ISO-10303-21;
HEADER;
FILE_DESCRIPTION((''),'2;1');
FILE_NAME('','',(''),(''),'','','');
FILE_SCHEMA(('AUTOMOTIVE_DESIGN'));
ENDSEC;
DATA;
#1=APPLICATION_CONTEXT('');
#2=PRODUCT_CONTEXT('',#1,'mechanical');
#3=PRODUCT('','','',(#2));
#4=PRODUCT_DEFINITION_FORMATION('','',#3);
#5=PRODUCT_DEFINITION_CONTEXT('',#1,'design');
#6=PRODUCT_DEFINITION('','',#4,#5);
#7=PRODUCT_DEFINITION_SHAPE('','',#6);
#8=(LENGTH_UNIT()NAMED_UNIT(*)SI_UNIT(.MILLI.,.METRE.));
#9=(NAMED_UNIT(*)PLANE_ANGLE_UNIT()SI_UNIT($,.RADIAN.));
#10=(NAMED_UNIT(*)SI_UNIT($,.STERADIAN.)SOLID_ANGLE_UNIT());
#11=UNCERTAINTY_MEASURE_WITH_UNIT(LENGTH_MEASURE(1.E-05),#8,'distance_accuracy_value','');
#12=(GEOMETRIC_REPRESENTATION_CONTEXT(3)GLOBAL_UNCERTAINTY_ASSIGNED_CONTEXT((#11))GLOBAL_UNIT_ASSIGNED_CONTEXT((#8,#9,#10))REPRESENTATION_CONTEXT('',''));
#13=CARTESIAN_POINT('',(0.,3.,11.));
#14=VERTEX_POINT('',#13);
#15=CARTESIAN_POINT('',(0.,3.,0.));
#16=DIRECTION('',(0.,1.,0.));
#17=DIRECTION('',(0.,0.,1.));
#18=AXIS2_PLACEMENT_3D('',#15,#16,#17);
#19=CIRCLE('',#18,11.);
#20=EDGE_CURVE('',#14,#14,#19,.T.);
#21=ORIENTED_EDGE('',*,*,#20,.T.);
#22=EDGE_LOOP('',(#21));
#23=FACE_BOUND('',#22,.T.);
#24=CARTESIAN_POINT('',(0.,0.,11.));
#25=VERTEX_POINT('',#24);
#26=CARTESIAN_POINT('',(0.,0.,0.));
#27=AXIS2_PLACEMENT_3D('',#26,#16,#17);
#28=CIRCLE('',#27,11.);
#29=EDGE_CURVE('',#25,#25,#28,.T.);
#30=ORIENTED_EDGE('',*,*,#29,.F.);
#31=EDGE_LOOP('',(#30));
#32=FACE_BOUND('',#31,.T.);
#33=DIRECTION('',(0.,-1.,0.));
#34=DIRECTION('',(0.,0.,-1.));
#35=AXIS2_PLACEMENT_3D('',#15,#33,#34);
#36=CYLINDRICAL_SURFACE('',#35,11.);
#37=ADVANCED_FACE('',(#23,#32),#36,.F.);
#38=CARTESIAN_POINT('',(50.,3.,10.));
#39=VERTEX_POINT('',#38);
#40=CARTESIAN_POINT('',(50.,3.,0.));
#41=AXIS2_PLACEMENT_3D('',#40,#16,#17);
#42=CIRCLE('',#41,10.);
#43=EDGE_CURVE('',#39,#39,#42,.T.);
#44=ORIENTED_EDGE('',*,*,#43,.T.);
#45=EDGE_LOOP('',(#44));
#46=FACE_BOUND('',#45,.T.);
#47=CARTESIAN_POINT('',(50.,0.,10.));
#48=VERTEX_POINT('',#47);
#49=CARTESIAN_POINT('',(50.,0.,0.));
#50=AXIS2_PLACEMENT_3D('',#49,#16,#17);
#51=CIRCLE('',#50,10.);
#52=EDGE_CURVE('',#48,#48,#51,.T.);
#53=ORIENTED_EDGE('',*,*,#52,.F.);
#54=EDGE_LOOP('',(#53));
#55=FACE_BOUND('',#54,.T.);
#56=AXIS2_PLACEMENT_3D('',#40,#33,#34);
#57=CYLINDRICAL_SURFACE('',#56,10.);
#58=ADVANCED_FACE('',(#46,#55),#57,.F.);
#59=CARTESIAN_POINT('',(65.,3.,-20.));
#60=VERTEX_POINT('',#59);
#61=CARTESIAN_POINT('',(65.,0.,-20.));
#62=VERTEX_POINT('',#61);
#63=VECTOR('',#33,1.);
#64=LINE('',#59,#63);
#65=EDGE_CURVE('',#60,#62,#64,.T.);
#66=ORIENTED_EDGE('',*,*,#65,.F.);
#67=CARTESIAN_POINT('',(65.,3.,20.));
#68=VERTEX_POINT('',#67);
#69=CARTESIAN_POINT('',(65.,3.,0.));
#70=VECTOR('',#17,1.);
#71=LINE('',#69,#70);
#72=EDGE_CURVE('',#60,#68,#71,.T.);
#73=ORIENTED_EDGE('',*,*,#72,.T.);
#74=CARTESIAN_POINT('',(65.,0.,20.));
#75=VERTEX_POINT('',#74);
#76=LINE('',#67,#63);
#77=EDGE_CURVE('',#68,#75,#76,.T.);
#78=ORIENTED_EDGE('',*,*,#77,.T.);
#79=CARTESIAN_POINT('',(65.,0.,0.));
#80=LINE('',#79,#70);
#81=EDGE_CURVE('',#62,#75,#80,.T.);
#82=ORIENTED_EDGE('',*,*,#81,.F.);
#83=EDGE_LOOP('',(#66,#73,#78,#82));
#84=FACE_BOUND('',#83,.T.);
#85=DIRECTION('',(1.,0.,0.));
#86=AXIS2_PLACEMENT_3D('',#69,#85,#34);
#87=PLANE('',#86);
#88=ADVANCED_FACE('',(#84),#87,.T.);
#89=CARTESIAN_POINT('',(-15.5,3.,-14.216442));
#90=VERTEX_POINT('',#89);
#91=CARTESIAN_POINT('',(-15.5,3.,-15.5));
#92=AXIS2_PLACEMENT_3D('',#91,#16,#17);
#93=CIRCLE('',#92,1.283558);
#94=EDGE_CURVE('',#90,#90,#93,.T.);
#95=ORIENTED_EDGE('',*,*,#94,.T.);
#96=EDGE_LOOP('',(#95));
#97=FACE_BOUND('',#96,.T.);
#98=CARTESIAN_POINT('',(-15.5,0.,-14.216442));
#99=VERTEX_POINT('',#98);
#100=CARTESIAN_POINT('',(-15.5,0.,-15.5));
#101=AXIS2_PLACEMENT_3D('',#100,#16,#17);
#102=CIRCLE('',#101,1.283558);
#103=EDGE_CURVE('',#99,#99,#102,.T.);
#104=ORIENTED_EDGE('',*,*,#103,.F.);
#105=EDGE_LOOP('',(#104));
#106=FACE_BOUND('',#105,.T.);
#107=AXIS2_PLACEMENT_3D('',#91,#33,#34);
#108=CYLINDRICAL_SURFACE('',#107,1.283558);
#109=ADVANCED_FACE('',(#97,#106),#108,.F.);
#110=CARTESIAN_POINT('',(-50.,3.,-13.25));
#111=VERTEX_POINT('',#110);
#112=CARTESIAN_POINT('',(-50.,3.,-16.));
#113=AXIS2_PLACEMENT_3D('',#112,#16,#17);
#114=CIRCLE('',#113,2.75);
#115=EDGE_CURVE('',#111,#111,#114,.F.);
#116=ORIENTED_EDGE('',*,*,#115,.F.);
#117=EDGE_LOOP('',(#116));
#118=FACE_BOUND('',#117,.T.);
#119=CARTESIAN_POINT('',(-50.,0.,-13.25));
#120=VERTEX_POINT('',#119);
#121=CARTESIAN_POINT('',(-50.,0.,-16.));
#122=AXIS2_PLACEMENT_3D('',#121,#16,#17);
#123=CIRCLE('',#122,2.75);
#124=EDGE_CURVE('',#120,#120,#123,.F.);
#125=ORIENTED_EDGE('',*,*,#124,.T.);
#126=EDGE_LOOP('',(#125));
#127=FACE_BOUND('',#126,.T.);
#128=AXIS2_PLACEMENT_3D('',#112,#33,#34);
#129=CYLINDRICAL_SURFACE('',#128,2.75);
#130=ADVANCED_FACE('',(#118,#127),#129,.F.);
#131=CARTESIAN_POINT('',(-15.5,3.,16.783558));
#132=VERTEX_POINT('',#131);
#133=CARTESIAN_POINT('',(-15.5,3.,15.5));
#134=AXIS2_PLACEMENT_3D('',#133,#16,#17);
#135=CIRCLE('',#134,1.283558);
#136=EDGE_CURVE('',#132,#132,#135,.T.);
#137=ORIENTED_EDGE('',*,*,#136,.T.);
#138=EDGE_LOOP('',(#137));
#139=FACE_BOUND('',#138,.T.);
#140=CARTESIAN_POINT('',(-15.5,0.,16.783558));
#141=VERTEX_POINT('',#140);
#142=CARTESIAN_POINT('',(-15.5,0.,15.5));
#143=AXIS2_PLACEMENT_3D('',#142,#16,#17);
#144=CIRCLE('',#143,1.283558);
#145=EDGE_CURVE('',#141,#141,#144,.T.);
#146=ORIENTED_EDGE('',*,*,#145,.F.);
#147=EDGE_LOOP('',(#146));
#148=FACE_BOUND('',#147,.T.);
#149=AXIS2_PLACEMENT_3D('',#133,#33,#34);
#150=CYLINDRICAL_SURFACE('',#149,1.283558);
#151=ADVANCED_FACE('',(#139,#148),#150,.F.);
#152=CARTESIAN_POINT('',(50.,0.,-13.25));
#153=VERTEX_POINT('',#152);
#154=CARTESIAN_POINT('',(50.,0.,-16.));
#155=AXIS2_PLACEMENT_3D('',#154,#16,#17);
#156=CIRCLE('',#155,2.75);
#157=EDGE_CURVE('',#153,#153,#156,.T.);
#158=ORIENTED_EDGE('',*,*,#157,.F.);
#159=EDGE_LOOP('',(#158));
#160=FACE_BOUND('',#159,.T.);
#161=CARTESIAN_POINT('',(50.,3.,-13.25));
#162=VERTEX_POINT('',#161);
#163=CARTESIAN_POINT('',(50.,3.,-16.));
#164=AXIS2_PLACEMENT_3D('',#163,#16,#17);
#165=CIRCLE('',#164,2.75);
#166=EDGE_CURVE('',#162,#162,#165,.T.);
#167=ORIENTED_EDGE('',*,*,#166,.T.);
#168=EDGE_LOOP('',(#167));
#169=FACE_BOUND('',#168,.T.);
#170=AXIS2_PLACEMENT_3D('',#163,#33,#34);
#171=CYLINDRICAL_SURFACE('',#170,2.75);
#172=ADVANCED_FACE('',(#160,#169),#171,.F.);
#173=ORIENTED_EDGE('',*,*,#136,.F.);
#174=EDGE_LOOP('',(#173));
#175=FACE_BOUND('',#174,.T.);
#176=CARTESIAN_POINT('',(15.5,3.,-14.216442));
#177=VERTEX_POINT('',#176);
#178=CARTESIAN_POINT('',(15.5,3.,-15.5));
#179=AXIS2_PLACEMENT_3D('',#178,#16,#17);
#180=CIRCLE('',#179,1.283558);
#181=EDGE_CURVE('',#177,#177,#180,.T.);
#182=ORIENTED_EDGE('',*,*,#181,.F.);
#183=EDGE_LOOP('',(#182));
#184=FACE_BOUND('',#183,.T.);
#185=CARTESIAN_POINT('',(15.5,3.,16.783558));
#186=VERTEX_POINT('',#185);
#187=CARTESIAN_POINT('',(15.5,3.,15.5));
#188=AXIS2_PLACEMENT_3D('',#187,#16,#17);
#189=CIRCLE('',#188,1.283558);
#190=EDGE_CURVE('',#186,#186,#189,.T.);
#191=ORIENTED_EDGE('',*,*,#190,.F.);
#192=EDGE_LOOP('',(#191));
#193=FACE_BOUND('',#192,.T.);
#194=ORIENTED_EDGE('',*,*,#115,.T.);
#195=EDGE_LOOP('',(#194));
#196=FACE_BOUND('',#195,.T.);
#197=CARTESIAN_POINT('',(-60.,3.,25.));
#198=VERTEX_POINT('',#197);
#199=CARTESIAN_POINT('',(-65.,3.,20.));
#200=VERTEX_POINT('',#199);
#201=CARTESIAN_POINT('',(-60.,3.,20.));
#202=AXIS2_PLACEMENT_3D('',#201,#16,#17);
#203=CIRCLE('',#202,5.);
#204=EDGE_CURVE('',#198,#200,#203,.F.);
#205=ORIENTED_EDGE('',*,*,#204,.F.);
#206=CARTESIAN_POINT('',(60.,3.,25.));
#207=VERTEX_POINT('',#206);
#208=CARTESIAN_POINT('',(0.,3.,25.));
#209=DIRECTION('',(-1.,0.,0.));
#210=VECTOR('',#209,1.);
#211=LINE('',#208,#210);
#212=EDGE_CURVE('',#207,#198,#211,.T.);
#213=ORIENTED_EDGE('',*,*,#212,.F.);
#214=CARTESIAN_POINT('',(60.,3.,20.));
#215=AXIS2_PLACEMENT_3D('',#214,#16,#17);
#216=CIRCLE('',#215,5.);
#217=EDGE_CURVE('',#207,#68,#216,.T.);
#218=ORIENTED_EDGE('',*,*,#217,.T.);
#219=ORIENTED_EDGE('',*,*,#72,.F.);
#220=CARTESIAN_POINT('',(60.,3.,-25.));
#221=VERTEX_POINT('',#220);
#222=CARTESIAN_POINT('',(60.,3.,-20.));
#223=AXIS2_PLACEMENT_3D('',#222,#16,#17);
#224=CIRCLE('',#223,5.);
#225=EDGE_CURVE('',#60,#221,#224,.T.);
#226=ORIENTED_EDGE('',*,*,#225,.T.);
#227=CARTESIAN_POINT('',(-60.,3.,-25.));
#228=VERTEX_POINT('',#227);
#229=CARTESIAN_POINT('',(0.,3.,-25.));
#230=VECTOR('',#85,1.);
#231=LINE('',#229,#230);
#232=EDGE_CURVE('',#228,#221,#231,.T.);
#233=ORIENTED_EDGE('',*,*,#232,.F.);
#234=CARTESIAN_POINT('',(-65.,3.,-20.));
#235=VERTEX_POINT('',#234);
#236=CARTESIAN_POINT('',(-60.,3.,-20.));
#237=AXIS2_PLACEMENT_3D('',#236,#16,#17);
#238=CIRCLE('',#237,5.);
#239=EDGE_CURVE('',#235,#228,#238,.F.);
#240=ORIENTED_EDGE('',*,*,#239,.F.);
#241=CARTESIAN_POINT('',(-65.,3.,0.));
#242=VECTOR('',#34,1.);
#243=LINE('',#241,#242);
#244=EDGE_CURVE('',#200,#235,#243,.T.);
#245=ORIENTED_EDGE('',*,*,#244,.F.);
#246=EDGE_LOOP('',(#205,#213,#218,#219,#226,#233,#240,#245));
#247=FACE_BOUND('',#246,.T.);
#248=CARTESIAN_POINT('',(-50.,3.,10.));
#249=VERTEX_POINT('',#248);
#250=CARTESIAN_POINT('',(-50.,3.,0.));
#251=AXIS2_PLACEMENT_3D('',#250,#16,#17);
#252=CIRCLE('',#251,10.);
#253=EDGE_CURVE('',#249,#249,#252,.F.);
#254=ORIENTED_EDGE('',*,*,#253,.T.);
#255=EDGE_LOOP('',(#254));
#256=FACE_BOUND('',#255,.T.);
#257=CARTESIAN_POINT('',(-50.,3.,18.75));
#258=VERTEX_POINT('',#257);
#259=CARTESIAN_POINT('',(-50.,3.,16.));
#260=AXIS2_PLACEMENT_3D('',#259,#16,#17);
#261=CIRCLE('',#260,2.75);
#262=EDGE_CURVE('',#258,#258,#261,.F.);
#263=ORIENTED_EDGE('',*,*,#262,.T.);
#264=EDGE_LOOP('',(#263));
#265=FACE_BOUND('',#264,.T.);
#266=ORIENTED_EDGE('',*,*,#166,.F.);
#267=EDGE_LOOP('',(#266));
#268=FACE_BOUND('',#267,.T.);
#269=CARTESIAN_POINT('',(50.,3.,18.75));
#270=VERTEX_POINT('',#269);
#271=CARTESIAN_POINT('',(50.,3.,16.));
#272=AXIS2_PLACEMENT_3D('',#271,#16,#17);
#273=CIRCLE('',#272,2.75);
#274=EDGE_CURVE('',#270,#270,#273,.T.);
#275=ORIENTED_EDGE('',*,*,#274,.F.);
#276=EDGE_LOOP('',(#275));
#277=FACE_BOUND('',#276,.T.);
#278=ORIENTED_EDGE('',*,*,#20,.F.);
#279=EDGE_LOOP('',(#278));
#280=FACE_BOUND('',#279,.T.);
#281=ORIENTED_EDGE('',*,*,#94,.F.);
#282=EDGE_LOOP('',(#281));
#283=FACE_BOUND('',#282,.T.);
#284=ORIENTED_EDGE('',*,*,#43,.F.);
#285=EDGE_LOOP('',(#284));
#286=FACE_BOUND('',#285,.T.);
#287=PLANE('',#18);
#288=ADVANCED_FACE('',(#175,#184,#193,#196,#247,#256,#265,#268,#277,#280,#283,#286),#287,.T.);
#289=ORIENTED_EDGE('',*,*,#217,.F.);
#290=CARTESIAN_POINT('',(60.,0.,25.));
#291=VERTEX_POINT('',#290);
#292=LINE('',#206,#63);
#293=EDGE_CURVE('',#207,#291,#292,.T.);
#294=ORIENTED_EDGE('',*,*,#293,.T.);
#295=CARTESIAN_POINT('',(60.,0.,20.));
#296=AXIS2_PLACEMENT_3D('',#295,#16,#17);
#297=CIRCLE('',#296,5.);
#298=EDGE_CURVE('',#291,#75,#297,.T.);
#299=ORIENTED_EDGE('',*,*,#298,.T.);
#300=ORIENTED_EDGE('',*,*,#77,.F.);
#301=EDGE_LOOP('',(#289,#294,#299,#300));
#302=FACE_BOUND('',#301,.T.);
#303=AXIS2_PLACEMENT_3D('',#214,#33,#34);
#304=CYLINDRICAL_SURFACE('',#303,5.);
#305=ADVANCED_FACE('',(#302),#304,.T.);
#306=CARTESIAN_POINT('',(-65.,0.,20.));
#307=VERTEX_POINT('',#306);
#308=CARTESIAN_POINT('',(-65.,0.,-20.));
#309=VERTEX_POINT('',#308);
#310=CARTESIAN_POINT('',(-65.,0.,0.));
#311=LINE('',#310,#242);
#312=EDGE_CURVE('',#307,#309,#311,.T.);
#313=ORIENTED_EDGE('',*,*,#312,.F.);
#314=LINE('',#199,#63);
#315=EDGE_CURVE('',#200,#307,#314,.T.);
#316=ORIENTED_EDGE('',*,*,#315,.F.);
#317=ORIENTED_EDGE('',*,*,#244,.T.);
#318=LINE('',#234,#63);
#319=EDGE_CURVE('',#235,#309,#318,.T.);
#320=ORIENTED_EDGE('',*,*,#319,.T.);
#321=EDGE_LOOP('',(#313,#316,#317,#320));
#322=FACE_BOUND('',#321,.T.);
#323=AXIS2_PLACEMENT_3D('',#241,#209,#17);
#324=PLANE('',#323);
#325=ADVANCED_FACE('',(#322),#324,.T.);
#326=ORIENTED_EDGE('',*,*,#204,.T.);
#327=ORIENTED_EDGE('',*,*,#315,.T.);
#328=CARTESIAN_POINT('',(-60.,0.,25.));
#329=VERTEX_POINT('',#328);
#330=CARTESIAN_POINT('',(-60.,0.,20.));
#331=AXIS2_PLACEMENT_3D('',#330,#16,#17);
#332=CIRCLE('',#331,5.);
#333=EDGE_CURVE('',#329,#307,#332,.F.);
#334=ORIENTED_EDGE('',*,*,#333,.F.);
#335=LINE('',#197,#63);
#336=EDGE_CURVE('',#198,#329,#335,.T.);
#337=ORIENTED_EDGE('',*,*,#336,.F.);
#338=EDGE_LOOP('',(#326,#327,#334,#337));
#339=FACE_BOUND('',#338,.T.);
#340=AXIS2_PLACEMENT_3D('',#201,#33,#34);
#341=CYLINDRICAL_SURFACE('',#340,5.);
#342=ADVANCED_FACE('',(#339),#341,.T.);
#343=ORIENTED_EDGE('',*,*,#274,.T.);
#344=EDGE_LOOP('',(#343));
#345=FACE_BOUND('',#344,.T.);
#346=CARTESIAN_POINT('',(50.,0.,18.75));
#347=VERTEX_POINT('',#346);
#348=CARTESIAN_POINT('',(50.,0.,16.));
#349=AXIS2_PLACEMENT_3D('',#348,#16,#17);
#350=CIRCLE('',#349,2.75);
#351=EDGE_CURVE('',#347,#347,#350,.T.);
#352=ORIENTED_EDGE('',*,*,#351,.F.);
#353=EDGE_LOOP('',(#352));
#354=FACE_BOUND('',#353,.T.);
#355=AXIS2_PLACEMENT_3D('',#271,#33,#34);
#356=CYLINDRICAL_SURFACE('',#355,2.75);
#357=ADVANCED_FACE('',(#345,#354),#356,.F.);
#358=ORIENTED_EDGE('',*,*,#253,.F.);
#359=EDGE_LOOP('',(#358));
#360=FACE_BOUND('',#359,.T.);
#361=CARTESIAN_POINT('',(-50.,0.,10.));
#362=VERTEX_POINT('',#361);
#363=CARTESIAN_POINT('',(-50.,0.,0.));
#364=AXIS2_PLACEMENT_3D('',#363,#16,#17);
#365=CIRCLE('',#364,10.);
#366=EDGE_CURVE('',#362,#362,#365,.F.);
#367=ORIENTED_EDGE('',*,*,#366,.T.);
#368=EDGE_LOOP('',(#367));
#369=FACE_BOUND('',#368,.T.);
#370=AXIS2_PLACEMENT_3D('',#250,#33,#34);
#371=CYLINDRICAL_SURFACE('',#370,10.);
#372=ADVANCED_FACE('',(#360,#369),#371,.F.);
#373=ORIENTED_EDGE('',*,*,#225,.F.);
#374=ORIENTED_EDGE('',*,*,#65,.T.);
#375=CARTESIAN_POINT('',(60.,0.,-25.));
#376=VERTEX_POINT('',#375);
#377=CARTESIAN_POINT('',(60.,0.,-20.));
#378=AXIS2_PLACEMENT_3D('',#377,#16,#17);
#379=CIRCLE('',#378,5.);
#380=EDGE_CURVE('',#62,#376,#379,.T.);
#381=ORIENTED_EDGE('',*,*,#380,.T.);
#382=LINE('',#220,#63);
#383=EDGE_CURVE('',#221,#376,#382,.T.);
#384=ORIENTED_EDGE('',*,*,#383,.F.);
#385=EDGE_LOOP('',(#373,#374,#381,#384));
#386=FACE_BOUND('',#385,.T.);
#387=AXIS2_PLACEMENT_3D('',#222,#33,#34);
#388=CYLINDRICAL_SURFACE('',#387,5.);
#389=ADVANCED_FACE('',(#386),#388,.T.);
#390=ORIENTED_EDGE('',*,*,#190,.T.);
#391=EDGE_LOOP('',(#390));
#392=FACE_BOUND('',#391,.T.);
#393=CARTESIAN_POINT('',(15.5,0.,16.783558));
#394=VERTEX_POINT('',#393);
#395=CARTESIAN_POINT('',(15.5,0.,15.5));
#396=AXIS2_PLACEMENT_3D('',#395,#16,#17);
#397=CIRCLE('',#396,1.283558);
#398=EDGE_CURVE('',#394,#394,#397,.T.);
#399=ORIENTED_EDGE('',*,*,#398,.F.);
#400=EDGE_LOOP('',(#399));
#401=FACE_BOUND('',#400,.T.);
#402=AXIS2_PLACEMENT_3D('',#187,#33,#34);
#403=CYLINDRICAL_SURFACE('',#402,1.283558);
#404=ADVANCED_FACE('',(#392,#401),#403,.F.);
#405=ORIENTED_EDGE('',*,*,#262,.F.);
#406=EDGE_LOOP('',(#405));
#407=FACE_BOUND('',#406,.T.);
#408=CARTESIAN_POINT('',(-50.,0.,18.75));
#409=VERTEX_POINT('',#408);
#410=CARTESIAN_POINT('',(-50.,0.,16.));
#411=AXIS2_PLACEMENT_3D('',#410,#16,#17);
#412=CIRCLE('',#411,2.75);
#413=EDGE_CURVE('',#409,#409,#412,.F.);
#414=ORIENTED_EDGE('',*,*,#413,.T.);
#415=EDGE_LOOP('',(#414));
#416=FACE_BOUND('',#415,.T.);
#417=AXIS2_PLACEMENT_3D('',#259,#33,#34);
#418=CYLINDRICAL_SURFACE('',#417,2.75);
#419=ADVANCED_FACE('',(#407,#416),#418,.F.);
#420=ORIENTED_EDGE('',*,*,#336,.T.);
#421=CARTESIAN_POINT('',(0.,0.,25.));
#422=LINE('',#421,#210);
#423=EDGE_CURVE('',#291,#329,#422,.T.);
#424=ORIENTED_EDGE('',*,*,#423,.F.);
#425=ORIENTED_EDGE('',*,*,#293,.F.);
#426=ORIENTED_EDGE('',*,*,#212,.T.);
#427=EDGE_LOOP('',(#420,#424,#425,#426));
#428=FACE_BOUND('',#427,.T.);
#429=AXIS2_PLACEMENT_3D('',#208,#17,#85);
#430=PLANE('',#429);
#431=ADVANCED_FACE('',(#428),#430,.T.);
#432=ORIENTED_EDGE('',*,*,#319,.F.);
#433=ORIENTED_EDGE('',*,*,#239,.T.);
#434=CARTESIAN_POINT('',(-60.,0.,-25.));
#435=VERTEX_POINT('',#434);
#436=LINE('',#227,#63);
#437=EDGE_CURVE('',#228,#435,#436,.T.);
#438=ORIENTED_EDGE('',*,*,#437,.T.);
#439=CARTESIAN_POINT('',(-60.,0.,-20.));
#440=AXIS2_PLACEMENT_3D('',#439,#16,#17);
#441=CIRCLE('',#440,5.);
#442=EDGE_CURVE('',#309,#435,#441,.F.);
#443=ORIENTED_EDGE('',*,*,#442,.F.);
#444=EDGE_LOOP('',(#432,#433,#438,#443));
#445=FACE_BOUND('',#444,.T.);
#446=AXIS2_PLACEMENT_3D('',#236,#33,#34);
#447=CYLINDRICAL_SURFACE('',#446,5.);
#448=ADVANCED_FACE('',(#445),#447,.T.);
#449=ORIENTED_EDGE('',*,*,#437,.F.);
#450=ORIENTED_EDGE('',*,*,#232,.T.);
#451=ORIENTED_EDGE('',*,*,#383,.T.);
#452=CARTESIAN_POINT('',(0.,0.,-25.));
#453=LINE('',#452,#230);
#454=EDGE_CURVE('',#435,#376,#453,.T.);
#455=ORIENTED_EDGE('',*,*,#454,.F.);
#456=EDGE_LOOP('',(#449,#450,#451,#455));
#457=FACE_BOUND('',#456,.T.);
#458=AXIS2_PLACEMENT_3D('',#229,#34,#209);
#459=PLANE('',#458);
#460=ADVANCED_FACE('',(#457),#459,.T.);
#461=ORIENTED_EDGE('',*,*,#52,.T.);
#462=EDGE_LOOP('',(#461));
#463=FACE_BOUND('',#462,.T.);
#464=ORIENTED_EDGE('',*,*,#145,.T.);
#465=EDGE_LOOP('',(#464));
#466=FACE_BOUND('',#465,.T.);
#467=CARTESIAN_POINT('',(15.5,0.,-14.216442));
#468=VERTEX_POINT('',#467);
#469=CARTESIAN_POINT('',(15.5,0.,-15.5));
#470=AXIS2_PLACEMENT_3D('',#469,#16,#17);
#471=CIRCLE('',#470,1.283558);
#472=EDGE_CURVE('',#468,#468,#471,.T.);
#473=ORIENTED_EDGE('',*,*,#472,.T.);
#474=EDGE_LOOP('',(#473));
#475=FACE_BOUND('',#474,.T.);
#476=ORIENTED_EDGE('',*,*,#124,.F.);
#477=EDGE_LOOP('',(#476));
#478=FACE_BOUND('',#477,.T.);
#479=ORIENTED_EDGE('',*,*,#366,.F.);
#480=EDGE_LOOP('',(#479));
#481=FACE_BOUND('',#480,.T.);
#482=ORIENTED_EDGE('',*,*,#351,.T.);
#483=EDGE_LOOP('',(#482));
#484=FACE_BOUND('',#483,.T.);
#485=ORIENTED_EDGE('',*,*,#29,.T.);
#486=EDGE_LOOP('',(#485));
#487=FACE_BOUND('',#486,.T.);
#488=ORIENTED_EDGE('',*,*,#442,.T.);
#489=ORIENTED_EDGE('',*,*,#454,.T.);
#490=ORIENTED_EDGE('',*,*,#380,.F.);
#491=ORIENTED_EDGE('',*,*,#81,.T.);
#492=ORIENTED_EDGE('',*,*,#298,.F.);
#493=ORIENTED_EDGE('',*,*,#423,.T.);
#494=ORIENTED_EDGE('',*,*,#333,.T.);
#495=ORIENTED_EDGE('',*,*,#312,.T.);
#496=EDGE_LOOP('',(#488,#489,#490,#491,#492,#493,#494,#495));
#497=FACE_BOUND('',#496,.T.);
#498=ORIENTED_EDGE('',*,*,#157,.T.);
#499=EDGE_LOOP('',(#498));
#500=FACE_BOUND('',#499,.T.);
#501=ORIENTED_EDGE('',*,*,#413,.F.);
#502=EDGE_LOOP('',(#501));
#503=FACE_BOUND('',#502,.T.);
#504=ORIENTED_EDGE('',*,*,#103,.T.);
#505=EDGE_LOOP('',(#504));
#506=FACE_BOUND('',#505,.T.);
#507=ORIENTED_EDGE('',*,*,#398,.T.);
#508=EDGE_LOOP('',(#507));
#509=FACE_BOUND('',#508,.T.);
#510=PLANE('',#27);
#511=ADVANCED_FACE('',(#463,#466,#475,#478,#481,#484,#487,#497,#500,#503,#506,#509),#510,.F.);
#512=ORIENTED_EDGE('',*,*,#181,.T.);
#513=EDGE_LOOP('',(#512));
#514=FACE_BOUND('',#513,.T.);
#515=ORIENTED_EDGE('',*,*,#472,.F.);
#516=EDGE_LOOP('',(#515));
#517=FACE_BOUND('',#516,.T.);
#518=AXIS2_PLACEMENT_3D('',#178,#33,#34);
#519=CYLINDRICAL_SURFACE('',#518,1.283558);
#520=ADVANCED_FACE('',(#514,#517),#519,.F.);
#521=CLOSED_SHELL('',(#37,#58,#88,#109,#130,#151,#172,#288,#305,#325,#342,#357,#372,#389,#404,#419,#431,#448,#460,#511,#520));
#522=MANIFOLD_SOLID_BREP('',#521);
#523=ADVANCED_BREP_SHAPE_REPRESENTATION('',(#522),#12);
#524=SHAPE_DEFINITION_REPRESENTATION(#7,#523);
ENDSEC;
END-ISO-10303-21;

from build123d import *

# Parameters (mm, degrees)
SKETCH_1_R      = 2.75
SKETCH_1_R_2    = 11
SKETCH_1_R_3    = 1.283558174
SKETCH_1_R_4    = 10
EXTRUDE_1_DEPTH = 3


with BuildPart() as part:
    # 草图1 → 凸台-拉伸1 (new body)
    with BuildSketch(Plane(origin=(0, 0, 0), x_dir=(1, 0, 0), z_dir=(0, 1, 0))):
        with BuildLine():
            ThreePointArc((-65, 20), (-63.535533906, 23.535533906), (-60, 25))
            Line((-60, 25), (0, 25))
            Line((0, 25), (60, 25))
            ThreePointArc((60, 25), (63.535533906, 23.535533906), (65, 20))
            Line((65, 20), (65, -20))
            ThreePointArc((65, -20), (63.535533906, -23.535533906), (60, -25))
            Line((60, -25), (-60, -25))
            ThreePointArc((-60, -25), (-63.535533906, -23.535533906), (-65, -20))
            Line((-65, -20), (-65, 20))
        make_face()
        with Locations(Location((-50, 16, 0), (0, 0, 270))):
            Circle(SKETCH_1_R, mode=Mode.SUBTRACT)
        with Locations(Location((0, 0, 0), (0, 0, 270))):
            Circle(SKETCH_1_R_2, mode=Mode.SUBTRACT)
        with Locations(Location((15.5, 15.5, 0), (0, 0, 270))):
            Circle(SKETCH_1_R_3, mode=Mode.SUBTRACT)
        with Locations(Location((15.5, -15.5, 0), (0, 0, 270))):
            Circle(SKETCH_1_R_3, mode=Mode.SUBTRACT)
        with Locations(Location((-15.5, -15.5, 0), (0, 0, 270))):
            Circle(SKETCH_1_R_3, mode=Mode.SUBTRACT)
        with Locations(Location((-15.5, 15.5, 0), (0, 0, 270))):
            Circle(SKETCH_1_R_3, mode=Mode.SUBTRACT)
        with Locations(Location((50, 0, 0), (0, 0, 270))):
            Circle(SKETCH_1_R_4, mode=Mode.SUBTRACT)
        with Locations(Location((50, 16, 0), (0, 0, 270))):
            Circle(SKETCH_1_R, mode=Mode.SUBTRACT)
        with Locations(Location((50, -16, 0), (0, 0, 270))):
            Circle(SKETCH_1_R, mode=Mode.SUBTRACT)
        with Locations(Location((-50, -16, 0), (0, 0, 270))):
            Circle(SKETCH_1_R, mode=Mode.SUBTRACT)
        with Locations(Location((-50, 0, 0), (0, 0, 270))):
            Circle(SKETCH_1_R_4, mode=Mode.SUBTRACT)
    extrude(amount=EXTRUDE_1_DEPTH)


solid = part.part
